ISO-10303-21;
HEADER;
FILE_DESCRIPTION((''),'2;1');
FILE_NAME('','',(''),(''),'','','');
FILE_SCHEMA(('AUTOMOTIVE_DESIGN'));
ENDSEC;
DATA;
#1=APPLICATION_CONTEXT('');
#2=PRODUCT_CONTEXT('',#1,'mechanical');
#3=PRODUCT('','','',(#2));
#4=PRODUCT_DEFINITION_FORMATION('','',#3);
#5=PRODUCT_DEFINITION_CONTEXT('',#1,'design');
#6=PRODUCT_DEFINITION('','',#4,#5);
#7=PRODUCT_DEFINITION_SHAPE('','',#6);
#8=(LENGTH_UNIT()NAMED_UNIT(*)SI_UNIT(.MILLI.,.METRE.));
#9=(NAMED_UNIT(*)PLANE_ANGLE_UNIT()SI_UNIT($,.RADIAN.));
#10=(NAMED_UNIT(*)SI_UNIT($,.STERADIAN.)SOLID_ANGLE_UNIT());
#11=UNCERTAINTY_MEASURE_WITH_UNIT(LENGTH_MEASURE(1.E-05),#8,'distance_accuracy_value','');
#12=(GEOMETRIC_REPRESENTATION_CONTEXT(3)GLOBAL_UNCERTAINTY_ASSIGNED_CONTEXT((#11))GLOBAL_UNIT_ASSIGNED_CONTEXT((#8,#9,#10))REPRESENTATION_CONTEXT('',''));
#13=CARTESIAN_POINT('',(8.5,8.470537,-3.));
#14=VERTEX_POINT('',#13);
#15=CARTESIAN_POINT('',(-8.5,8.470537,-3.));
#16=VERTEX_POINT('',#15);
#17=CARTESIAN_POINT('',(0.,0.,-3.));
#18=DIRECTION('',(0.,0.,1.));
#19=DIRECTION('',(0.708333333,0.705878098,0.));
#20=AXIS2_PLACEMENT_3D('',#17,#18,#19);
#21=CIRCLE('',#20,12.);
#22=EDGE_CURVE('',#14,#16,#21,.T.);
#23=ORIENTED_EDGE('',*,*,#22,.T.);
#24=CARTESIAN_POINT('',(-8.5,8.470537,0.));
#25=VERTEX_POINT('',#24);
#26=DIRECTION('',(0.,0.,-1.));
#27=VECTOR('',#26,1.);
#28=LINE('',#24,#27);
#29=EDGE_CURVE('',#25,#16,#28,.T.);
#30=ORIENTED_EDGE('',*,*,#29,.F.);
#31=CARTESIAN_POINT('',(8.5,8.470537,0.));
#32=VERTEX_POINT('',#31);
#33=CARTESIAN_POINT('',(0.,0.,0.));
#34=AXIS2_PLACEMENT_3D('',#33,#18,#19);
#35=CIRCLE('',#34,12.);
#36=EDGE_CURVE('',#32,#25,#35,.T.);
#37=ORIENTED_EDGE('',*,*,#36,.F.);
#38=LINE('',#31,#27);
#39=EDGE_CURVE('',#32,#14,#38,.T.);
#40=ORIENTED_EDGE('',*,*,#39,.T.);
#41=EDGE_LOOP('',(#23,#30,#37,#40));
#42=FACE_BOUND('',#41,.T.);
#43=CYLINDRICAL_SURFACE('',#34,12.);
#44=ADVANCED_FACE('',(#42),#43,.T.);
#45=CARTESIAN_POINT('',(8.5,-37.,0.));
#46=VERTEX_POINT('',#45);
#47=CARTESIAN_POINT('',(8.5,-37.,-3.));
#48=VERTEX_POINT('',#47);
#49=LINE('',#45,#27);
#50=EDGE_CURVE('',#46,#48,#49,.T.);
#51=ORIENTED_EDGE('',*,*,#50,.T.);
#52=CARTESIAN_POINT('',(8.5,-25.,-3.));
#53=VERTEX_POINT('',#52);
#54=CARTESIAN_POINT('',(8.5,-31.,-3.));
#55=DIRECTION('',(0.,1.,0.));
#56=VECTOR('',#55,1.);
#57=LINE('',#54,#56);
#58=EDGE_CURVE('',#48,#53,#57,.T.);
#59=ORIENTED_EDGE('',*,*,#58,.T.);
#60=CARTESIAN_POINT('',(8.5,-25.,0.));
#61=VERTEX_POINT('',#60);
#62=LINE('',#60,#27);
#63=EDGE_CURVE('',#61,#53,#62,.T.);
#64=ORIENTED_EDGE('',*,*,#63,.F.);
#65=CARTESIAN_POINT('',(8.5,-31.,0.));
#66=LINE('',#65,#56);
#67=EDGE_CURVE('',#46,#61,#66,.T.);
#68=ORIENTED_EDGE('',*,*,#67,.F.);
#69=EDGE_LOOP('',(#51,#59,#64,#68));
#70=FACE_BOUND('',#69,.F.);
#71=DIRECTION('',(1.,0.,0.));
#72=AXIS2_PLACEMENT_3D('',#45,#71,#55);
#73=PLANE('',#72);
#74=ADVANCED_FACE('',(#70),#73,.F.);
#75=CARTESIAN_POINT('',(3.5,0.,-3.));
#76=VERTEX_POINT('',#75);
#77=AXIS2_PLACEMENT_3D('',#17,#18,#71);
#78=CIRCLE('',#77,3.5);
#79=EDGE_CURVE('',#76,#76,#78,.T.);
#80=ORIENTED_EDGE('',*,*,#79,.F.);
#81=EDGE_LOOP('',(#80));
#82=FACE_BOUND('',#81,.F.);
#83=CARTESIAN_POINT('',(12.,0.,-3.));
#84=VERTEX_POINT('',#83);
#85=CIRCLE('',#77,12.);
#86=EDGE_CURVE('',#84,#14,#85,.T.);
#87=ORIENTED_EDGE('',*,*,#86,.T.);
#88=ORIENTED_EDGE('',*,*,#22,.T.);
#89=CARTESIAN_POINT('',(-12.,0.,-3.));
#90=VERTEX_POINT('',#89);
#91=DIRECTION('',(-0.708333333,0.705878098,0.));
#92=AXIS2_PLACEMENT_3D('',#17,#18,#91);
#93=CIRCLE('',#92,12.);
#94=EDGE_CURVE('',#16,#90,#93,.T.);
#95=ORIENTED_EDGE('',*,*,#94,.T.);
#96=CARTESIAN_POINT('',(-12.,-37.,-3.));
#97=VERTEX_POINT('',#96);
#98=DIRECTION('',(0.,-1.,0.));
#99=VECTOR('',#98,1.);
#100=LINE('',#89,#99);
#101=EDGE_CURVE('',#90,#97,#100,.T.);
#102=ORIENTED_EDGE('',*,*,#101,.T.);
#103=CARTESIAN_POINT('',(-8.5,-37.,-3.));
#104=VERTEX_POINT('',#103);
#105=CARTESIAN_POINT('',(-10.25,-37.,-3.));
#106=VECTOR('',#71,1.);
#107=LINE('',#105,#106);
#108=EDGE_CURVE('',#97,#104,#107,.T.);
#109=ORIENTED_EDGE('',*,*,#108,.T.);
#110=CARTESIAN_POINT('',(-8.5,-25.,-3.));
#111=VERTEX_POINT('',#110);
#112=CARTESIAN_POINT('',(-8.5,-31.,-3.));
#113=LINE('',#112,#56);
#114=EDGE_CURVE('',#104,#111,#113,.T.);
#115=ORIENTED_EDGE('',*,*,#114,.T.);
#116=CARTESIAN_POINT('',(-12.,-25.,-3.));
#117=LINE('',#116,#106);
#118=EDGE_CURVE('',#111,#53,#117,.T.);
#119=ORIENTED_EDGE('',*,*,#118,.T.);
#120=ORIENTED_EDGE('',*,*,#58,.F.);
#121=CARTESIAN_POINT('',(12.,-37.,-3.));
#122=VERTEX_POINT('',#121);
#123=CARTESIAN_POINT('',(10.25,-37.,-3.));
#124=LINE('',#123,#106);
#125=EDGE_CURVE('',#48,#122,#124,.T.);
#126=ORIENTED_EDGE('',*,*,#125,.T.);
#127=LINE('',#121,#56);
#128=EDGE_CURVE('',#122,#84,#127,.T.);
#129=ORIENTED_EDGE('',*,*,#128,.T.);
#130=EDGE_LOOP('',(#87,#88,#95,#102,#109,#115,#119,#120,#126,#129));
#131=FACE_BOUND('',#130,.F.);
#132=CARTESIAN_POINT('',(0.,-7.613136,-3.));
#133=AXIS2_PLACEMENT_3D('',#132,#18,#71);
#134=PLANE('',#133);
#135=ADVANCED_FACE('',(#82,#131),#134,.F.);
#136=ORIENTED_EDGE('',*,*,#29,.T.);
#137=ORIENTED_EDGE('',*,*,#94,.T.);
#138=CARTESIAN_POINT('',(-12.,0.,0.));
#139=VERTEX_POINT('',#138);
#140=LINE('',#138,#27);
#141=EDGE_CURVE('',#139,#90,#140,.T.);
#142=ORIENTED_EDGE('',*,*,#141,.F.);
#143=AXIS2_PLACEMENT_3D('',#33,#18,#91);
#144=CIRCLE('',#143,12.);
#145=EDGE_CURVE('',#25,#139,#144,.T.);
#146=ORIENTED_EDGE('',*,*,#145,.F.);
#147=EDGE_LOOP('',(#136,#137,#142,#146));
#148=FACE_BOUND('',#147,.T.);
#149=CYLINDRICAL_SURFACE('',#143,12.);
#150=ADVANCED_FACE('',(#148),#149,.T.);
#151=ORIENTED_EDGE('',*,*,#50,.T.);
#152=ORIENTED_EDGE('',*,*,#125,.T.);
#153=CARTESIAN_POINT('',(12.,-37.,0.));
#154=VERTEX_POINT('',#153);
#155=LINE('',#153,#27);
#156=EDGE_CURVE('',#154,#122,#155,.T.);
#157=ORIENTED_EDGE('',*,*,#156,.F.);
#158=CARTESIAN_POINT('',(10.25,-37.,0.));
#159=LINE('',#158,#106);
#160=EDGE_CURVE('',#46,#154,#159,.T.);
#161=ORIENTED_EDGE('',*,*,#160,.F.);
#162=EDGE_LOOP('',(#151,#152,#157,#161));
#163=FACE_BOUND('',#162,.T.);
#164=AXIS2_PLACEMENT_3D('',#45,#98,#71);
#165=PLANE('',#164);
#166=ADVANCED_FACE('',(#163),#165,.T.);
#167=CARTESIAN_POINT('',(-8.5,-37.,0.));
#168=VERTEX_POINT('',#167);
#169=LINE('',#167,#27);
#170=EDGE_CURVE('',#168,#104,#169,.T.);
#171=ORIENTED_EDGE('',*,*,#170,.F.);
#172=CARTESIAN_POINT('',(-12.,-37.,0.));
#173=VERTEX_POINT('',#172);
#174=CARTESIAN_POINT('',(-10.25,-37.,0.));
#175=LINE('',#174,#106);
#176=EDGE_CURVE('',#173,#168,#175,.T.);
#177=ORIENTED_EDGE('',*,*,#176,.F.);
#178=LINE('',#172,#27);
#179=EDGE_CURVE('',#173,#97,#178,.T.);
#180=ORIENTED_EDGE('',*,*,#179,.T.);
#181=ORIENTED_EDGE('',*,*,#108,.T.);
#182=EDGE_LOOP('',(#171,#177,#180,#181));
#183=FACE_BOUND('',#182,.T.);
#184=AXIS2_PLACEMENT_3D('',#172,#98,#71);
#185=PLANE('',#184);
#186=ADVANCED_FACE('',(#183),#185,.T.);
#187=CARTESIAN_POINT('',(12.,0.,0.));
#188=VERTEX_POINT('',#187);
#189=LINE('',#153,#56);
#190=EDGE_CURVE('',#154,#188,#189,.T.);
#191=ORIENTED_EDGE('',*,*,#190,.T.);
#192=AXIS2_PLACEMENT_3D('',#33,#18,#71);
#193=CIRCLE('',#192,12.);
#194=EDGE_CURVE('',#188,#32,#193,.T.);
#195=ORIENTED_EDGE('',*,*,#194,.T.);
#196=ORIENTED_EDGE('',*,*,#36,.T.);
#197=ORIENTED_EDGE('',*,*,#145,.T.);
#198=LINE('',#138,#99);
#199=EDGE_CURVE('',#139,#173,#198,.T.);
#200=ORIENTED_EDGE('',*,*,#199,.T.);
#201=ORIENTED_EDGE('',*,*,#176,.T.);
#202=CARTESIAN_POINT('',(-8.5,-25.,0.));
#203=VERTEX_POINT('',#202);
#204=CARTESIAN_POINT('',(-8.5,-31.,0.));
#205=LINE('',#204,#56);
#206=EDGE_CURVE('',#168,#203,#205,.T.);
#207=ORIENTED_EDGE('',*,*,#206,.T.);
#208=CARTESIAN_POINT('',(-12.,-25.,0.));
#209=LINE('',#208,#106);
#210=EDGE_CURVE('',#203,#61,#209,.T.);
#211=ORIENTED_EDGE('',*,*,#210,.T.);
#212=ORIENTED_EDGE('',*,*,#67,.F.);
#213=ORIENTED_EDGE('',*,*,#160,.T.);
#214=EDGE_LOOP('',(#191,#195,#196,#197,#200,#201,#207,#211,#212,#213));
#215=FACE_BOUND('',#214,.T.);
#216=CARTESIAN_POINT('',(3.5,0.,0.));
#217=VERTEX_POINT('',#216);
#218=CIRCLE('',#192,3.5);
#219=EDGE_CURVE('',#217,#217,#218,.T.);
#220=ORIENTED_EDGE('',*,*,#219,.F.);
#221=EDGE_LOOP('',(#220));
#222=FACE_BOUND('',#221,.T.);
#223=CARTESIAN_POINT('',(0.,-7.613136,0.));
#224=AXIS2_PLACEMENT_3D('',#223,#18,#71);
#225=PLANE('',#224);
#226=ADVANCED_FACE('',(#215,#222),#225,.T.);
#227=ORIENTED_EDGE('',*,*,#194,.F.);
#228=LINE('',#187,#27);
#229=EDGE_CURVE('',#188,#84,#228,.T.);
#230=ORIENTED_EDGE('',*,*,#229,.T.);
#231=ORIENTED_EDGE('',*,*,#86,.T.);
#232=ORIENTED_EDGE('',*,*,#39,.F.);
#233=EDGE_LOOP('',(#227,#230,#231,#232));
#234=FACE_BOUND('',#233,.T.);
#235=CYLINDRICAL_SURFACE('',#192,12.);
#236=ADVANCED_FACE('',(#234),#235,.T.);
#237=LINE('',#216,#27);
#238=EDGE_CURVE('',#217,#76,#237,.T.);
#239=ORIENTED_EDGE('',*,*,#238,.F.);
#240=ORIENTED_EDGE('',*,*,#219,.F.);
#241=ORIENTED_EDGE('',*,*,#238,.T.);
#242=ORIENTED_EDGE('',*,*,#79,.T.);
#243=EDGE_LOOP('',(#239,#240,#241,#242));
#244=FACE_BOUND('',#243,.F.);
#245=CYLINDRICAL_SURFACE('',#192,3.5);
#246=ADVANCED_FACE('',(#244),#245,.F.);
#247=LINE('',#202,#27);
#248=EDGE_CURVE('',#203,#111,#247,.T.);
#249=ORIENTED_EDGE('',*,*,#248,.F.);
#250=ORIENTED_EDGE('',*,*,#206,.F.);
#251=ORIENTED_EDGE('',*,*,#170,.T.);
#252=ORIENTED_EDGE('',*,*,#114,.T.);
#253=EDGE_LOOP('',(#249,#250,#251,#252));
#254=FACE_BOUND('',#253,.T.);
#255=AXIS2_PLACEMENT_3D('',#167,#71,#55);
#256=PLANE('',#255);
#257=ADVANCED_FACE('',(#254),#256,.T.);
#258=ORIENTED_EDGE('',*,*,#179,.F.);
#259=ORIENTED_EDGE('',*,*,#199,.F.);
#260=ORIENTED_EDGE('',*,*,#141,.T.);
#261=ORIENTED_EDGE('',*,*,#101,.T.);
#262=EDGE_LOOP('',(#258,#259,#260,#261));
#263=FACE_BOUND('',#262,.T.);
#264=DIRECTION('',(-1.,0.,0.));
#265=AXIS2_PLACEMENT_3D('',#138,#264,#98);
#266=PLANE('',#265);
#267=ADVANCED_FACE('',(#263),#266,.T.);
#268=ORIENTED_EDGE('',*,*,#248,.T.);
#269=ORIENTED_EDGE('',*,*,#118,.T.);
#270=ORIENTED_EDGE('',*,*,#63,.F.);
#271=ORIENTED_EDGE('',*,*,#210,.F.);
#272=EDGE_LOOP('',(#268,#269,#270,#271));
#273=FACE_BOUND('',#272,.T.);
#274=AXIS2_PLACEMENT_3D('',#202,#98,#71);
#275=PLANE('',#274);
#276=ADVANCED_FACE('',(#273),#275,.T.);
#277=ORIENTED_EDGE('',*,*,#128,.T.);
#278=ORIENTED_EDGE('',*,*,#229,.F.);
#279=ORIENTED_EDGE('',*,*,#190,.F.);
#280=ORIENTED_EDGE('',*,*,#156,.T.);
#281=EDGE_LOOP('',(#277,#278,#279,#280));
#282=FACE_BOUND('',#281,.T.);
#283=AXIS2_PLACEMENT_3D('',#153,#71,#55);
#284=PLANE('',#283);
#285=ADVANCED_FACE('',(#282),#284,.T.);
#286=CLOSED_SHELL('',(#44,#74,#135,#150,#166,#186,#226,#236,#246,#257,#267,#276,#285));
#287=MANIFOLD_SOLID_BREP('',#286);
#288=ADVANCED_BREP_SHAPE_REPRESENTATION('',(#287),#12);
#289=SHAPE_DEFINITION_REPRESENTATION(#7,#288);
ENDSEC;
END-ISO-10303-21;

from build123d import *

# Parameters (mm, degrees)
F0_R     = 6.15
F0_R_2   = 3.5
F0_W     = 3.5
F0_H     = 12
F1_DEPTH = 3


with BuildPart() as f1:
    # F0 (on Top) → F1 (new body)
    with BuildSketch(Plane.XY):
        with BuildLine():
            Line((8.5, -25), (8.5, 8.470537173))
            ThreePointArc((8.5, 8.470537173), (0, 12), (-8.5, 8.470537173))
            Line((-8.5, 8.470537173), (-8.5, -25))
            Line((-8.5, -25), (8.5, -25))
        make_face()
        Circle(F0_R, mode=Mode.SUBTRACT)
        Circle(F0_R)
        Circle(F0_R_2, mode=Mode.SUBTRACT)
        with BuildLine():
            Line((12, -25), (12, 0))
            ThreePointArc((12, 0), (11.0905365064, 4.582575695), (8.5, 8.470537173))
            Line((8.5, 8.470537173), (8.5, -25))
            Line((8.5, -25), (12, -25))
        make_face()
        with BuildLine():
            Line((-8.5, -25), (-8.5, 8.470537173))
            ThreePointArc((-8.5, 8.470537173), (-11.0905365064, 4.582575695), (-12, 0))
            Line((-12, 0), (-12, -25))
            Line((-12, -25), (-8.5, -25))
        make_face()
        with Locations((10.25, -31)):
            Rectangle(F0_W, F0_H)
        with Locations((-10.25, -31)):
            Rectangle(F0_W, F0_H)
    extrude(amount=-F1_DEPTH)


solid = f1.part
